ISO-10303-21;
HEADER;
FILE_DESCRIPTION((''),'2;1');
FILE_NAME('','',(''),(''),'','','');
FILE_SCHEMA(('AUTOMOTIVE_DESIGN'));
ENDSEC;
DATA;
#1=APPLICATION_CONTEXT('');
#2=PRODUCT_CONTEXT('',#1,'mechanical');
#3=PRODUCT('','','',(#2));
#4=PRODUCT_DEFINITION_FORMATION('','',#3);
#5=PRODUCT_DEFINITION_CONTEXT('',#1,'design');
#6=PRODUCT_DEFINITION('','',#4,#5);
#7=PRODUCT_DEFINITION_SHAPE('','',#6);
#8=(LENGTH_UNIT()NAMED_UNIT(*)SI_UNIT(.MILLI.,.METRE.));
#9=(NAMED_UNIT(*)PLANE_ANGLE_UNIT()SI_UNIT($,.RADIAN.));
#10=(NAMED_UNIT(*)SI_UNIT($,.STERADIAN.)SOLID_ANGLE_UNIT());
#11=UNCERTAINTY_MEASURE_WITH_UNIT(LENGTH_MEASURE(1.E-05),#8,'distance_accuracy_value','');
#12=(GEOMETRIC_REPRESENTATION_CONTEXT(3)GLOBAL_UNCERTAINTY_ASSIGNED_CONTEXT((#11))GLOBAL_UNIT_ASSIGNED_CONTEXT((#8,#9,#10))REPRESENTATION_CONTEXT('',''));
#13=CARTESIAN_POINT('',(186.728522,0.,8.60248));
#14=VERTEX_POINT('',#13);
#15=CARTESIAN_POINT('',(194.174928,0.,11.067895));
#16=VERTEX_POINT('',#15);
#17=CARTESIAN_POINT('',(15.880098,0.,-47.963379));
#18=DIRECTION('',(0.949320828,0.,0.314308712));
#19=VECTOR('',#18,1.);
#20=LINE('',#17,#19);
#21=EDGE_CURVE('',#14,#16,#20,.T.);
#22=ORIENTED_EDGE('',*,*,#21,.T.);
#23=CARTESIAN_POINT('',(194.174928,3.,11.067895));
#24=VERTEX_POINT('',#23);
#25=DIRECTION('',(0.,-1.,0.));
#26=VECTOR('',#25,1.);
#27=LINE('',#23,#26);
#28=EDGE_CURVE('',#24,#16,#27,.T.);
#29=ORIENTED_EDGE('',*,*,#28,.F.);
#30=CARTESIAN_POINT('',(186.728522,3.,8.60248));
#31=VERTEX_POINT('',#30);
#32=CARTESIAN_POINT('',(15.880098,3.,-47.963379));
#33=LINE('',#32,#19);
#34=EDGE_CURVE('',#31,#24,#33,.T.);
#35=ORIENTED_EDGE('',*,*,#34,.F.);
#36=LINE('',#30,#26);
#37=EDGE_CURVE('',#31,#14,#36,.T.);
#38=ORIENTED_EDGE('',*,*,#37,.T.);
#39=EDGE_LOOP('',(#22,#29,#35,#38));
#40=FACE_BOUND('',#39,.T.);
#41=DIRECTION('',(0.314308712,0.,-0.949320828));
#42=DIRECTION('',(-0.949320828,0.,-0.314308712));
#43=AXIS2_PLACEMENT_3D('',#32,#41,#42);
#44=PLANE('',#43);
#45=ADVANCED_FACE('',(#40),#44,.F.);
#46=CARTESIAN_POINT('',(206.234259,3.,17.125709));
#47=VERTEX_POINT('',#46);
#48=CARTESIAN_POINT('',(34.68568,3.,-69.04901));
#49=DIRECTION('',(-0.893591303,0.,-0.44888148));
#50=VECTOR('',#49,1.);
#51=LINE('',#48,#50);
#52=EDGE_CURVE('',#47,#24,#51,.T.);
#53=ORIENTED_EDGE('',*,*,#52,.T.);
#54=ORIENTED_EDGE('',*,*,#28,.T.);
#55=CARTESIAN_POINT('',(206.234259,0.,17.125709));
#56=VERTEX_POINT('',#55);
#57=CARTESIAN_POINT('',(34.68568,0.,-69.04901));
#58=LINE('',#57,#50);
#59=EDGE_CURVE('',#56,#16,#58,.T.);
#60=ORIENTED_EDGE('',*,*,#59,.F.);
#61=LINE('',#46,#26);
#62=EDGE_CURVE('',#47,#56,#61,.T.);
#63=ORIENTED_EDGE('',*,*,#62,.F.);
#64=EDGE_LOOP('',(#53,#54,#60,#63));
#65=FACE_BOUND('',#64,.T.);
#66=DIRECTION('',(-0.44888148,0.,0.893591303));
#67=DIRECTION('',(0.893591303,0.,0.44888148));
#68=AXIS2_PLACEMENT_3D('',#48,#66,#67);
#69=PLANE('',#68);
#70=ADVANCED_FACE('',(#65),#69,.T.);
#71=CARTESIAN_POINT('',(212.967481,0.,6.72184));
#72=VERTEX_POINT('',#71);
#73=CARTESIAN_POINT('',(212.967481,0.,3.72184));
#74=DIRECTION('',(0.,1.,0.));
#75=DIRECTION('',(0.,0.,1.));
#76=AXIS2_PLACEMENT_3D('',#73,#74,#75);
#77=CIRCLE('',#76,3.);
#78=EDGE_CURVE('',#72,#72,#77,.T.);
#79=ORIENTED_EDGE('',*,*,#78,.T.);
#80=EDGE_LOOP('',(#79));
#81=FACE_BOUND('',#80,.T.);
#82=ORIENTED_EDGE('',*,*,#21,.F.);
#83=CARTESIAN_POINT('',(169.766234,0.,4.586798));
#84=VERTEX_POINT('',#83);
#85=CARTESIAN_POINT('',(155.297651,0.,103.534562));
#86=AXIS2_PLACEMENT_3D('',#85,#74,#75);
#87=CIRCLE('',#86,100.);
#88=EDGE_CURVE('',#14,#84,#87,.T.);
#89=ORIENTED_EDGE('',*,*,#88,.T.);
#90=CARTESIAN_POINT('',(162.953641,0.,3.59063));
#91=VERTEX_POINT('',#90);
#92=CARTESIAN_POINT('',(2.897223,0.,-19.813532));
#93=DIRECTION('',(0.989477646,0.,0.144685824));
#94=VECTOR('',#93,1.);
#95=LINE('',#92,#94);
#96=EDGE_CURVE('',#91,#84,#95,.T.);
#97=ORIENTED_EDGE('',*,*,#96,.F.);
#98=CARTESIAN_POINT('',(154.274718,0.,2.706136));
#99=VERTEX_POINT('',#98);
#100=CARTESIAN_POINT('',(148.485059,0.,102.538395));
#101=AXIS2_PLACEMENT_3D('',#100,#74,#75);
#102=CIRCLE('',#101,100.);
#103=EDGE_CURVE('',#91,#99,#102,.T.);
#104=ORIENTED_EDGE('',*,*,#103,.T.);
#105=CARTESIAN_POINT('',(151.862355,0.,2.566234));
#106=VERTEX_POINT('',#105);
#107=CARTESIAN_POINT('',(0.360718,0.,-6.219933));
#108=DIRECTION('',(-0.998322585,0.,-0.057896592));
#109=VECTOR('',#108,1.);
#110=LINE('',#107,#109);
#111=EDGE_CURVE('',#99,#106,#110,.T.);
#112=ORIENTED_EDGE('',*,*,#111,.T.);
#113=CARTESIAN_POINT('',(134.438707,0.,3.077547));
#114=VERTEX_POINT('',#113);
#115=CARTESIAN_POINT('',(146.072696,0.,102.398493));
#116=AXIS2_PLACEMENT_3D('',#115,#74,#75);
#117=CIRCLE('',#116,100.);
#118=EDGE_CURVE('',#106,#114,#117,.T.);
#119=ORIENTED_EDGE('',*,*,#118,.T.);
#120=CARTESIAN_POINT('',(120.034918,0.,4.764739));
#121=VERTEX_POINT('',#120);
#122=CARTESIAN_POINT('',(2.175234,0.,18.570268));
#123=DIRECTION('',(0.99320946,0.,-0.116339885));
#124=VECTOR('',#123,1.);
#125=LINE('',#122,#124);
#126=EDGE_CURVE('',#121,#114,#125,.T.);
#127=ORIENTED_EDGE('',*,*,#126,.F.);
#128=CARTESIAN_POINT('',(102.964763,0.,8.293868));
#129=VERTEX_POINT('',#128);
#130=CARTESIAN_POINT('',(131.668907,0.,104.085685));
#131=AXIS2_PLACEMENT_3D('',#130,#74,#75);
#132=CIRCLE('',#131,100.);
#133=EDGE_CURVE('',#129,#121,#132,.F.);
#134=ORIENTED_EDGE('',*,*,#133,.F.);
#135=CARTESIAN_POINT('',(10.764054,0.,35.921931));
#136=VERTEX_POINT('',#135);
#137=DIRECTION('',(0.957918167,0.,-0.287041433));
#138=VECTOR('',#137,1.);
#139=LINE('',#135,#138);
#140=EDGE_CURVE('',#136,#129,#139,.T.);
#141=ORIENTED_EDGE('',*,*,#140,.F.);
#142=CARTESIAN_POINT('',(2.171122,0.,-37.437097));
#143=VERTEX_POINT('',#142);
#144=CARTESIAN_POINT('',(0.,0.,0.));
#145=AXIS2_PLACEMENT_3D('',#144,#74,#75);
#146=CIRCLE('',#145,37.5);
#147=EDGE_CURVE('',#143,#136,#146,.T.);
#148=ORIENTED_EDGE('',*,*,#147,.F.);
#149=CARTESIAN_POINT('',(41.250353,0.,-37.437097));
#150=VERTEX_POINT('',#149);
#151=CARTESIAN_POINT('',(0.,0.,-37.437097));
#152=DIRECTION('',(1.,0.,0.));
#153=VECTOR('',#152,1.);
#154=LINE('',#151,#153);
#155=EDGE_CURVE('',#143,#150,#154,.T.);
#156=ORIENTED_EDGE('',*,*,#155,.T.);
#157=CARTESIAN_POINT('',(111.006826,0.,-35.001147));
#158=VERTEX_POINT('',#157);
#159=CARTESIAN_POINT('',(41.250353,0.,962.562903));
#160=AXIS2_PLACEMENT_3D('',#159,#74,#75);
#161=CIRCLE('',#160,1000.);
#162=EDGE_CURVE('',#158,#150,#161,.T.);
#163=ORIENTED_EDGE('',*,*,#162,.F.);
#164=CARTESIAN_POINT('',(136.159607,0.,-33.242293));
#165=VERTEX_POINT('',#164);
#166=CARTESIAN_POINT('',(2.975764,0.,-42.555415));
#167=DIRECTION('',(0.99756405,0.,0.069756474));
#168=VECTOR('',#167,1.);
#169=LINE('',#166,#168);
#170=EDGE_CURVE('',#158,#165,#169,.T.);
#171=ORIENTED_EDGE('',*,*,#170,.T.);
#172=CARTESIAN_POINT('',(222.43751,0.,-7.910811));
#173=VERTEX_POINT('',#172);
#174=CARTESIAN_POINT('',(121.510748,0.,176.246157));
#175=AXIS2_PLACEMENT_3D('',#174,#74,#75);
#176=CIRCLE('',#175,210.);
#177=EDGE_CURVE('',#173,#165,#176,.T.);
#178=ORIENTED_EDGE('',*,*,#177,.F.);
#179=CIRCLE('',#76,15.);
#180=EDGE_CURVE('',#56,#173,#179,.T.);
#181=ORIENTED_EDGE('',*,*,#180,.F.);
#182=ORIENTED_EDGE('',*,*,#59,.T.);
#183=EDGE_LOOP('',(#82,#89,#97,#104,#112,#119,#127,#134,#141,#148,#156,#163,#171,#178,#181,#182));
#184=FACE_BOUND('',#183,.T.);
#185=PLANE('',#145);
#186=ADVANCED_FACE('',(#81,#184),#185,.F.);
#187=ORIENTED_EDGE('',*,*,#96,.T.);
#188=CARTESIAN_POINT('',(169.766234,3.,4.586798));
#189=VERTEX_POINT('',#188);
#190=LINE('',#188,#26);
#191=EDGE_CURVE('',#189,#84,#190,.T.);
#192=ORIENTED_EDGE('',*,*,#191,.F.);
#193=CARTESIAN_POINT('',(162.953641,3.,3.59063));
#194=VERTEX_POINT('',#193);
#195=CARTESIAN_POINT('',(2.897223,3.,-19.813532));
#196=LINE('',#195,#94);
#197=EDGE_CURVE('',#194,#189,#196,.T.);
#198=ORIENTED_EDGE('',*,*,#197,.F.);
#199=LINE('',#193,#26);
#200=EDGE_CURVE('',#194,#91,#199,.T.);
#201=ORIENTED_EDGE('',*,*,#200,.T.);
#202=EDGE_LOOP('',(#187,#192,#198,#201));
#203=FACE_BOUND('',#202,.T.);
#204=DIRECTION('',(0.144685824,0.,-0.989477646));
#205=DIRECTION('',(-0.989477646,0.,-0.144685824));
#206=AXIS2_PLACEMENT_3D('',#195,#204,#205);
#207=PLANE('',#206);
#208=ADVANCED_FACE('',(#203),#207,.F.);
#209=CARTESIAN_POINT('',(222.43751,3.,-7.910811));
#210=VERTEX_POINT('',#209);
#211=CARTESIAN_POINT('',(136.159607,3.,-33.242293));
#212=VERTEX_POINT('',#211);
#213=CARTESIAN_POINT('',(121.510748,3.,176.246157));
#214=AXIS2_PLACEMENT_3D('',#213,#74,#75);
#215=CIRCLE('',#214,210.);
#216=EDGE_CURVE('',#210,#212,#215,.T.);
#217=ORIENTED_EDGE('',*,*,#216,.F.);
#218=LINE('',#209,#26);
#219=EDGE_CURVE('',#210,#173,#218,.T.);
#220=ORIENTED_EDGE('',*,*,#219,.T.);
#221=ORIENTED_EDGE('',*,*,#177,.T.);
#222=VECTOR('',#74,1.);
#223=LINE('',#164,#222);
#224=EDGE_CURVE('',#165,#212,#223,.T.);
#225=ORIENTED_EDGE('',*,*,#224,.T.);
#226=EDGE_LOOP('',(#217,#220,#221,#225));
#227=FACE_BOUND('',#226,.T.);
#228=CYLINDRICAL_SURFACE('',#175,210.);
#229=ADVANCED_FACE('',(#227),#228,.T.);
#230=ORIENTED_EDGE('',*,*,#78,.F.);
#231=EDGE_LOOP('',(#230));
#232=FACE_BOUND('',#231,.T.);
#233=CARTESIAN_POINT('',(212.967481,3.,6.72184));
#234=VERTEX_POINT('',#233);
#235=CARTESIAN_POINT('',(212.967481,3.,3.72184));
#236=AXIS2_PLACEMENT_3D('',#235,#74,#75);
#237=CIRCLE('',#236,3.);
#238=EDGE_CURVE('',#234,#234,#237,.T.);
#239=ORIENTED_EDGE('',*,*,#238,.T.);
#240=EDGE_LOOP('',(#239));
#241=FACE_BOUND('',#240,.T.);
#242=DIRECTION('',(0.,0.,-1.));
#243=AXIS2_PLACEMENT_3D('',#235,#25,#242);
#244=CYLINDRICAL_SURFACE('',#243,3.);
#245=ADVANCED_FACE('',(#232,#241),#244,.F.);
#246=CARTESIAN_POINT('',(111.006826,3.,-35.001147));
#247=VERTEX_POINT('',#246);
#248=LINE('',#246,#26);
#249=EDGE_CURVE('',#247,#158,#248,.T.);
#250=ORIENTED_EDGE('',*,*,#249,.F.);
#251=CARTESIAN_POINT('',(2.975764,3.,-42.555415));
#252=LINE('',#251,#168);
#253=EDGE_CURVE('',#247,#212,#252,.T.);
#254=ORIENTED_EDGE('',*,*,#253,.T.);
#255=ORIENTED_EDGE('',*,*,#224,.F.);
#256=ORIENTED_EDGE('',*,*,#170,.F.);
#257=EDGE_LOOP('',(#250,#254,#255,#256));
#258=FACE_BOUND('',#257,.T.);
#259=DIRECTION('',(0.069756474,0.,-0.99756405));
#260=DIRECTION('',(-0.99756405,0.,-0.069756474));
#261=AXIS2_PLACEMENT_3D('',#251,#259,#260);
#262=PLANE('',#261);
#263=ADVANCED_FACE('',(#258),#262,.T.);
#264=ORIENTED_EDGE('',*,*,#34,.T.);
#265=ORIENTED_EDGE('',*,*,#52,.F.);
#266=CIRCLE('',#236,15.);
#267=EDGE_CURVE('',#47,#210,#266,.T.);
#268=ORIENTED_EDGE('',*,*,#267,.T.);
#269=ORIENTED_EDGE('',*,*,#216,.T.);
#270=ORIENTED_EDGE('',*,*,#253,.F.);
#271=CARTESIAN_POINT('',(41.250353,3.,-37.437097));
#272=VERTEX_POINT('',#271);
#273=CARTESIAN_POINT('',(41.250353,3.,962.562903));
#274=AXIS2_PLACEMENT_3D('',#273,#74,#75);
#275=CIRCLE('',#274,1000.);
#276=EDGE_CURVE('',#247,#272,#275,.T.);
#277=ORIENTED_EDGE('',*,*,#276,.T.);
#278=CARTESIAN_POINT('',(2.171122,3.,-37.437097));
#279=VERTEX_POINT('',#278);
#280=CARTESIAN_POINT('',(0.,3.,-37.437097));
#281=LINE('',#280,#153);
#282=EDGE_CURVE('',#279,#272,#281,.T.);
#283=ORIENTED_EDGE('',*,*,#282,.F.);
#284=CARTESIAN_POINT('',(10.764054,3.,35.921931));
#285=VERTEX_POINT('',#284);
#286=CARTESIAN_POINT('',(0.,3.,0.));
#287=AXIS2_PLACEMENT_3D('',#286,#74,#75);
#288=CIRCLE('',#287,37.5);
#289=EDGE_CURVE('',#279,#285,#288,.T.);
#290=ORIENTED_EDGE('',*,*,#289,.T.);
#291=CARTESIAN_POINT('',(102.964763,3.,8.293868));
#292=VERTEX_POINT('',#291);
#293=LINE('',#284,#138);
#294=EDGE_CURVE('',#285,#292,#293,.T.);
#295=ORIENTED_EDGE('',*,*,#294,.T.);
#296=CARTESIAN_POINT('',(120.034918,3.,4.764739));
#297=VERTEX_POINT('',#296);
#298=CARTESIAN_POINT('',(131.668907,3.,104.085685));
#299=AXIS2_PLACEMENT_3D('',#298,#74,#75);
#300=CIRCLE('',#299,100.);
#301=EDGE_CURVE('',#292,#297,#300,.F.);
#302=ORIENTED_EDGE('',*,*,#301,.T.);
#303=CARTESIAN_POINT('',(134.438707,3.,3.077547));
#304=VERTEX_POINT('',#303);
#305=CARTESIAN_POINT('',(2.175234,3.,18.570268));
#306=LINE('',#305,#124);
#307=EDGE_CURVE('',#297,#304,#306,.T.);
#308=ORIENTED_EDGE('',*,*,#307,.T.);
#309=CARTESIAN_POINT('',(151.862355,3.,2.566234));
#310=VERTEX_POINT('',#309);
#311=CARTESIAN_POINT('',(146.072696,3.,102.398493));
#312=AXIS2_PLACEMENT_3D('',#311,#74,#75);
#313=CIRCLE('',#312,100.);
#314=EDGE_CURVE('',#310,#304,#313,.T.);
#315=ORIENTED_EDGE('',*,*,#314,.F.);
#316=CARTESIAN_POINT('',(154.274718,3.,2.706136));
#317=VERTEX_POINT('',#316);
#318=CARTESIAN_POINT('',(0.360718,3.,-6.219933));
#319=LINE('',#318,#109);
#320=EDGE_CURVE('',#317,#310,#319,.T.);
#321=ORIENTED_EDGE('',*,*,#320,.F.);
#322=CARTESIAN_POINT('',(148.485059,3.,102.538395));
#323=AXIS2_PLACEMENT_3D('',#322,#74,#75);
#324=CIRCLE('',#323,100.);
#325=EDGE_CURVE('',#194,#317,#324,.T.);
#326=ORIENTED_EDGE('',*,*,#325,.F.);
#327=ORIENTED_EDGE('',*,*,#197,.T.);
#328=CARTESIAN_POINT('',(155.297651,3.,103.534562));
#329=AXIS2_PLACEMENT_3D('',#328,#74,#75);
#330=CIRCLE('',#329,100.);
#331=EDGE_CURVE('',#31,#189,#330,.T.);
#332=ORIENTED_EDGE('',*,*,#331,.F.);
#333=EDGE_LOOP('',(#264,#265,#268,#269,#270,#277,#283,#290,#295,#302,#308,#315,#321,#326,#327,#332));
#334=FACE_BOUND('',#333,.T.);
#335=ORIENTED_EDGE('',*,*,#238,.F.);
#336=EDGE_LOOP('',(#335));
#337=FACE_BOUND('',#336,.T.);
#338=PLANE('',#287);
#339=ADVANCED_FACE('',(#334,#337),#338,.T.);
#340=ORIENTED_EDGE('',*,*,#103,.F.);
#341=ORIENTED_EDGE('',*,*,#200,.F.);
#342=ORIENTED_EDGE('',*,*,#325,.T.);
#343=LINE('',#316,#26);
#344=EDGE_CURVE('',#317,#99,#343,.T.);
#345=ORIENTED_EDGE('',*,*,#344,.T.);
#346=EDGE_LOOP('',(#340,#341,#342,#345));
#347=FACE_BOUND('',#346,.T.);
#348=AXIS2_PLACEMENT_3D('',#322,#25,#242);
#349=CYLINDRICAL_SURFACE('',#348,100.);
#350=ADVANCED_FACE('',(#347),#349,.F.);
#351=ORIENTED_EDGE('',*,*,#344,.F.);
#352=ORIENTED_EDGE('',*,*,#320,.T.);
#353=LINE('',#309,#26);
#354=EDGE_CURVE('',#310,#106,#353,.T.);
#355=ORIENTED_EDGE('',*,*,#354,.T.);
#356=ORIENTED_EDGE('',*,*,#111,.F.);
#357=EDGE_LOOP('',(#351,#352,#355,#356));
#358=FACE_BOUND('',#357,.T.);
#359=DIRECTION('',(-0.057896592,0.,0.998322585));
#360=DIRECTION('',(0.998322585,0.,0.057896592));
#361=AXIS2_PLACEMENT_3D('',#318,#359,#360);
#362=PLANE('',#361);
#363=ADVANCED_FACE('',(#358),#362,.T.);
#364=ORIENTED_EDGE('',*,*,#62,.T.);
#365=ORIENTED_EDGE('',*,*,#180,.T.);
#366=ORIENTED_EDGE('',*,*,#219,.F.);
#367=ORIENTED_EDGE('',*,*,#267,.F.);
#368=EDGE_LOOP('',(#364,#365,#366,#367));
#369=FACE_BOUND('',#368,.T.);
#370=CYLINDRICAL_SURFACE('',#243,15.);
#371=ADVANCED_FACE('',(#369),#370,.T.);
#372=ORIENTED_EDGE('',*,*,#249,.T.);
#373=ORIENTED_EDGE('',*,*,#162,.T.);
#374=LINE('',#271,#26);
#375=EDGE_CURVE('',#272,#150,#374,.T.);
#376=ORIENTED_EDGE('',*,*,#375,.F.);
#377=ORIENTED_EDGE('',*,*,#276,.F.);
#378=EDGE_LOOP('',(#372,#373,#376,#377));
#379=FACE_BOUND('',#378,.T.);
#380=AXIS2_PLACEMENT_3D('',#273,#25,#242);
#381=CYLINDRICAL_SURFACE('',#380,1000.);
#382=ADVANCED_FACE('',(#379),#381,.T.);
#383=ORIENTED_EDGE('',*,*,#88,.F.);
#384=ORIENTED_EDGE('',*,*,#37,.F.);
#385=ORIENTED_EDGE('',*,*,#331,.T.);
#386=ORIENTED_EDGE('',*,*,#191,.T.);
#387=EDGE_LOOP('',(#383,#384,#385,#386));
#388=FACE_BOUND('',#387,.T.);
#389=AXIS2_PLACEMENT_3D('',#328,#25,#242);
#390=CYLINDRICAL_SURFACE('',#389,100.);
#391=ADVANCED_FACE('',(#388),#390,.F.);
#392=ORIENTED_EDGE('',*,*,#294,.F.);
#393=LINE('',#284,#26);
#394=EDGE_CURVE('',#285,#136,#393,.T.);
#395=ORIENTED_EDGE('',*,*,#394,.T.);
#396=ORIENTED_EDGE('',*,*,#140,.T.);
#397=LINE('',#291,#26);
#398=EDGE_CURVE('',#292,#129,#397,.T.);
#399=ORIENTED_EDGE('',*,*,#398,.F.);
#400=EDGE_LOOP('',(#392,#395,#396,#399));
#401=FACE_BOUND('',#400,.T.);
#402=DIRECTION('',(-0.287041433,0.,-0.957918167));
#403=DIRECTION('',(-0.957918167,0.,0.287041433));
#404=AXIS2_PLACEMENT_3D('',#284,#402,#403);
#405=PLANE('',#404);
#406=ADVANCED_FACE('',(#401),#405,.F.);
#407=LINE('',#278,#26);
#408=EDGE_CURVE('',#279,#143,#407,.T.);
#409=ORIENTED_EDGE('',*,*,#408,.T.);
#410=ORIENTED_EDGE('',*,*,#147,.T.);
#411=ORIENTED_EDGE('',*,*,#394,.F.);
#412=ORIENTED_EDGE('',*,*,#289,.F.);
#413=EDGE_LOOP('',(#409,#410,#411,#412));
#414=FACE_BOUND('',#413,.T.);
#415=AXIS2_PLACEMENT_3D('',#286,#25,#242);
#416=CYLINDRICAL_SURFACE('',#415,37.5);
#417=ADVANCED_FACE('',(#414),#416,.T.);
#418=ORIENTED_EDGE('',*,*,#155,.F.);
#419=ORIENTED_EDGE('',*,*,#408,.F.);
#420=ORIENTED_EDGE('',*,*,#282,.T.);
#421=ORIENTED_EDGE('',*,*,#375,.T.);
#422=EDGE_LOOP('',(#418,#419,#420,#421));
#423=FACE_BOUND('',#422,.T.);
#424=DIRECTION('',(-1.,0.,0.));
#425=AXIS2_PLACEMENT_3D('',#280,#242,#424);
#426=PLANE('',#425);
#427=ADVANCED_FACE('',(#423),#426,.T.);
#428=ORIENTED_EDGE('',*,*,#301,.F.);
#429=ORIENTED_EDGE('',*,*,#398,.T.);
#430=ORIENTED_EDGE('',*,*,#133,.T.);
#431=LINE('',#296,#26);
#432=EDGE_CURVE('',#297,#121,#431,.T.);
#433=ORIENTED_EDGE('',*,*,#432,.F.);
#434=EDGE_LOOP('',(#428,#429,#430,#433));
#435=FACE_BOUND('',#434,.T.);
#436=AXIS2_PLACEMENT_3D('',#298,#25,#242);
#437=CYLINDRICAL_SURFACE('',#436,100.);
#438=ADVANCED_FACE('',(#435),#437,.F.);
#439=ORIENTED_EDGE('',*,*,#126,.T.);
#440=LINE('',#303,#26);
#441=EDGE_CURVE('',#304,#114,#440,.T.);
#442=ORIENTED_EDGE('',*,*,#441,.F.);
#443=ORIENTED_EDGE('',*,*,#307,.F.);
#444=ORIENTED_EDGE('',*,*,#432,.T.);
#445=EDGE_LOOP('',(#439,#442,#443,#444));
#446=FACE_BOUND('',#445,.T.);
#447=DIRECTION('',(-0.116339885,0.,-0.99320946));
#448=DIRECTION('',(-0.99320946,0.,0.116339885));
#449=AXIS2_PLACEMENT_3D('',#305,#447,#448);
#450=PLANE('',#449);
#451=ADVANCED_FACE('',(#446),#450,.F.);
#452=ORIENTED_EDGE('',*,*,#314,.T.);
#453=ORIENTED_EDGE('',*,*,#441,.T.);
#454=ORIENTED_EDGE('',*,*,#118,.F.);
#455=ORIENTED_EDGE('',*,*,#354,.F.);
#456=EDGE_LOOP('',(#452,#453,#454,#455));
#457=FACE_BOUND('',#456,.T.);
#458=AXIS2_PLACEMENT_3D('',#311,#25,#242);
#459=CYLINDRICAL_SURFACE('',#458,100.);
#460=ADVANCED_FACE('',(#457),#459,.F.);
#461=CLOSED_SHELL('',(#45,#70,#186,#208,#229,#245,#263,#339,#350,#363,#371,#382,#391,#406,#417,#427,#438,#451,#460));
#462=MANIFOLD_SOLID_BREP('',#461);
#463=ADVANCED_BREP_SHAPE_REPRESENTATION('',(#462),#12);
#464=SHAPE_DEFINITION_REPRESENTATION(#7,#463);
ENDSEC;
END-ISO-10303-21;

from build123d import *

# Parameters (mm, degrees)
SKETCH_3_R          = 3
EXTRUDE_3_DEPTH     = 3
CUT_EXTRUDE_1_DEPTH = 232.050692133


with BuildPart() as part:
    # 草图3 → 凸台-拉伸3 (new body)
    with BuildSketch(Plane(origin=(0, 0, 0), x_dir=(1, 0, 0), z_dir=(0, 1, 0))):
        with BuildLine():
            Line((41.250352709, 37.437096955), (2.1711222, 37.437096955))
            ThreePointArc((2.1711222, 37.437096955), (-37.245354745, -4.362745688), (10.764053756, -35.921931278))
            Line((10.764053756, -35.921931278), (102.964763311, -8.293867902))
            ThreePointArc((102.964763311, -8.293867902), (111.422798179, -6.156653751), (120.034918159, -4.764738657))
            Line((120.034918159, -4.764738657), (134.438707225, -3.077546548))
            ThreePointArc((134.438707225, -3.077546548), (143.139368882, -2.441523824), (151.862354927, -2.566233988))
            Line((151.862354927, -2.566233988), (154.274717881, -2.706136256))
            ThreePointArc((154.274717881, -2.706136256), (158.623829365, -3.053695832), (162.953641123, -3.590630188))
            Line((162.953641123, -3.590630188), (169.76623366, -4.586797783))
            ThreePointArc((169.76623366, -4.586797783), (178.335042253, -6.22434395), (186.728522391, -8.602479637))
            Line((186.728522391, -8.602479637), (194.174928436, -11.067895146))
            Line((194.174928436, -11.067895146), (206.234258671, -17.125709257))
            ThreePointArc((206.234258671, -17.125709257), (225.560310545, -11.871725652), (222.437509756, 7.910810586))
            Line((222.437509756, 7.910810586), (215.500702076, 12.589746446))
            ThreePointArc((215.500702076, 12.589746446), (200.255076036, 21.040534955), (183.773601289, 26.715561818))
            Line((183.773601289, 26.715561818), (174.440874355, 29.042471985))
            ThreePointArc((174.440874355, 29.042471985), (165.892131299, 30.781733417), (157.22433217, 31.769304384))
            Line((157.22433217, 31.769304384), (111.006826453, 35.001147214))
            ThreePointArc((111.006826453, 35.001147214), (76.149849411, 36.827923974), (41.250352709, 37.437096955))
        make_face()
        with Locations(Location((212.967480872, -3.721839712, 0), (0, 0, 270))):
            Circle(SKETCH_3_R, mode=Mode.SUBTRACT)
    extrude(amount=EXTRUDE_3_DEPTH)

    # 草图4 → 切除-拉伸1 (cut, through all)
    with BuildSketch(Plane(origin=(0, 3, 0), x_dir=(1, 0, 0), z_dir=(0, 1, 0))):
        with BuildLine():
            ThreePointArc((136.159607467, 33.242293427), (180.670295505, 25.248626767), (222.437509756, 7.910810586))
            Line((222.437509756, 7.910810586), (215.500702076, 12.589746446))
            ThreePointArc((215.500702076, 12.589746446), (200.255076036, 21.040534955), (183.773601289, 26.715561818))
            Line((183.773601289, 26.715561818), (174.440874355, 29.042471985))
            ThreePointArc((174.440874355, 29.042471985), (165.892131299, 30.781733417), (157.22433217, 31.769304384))
            Line((157.22433217, 31.769304384), (136.159607467, 33.242293427))
        make_face()
    extrude(amount=-CUT_EXTRUDE_1_DEPTH, mode=Mode.SUBTRACT)


solid = part.part
